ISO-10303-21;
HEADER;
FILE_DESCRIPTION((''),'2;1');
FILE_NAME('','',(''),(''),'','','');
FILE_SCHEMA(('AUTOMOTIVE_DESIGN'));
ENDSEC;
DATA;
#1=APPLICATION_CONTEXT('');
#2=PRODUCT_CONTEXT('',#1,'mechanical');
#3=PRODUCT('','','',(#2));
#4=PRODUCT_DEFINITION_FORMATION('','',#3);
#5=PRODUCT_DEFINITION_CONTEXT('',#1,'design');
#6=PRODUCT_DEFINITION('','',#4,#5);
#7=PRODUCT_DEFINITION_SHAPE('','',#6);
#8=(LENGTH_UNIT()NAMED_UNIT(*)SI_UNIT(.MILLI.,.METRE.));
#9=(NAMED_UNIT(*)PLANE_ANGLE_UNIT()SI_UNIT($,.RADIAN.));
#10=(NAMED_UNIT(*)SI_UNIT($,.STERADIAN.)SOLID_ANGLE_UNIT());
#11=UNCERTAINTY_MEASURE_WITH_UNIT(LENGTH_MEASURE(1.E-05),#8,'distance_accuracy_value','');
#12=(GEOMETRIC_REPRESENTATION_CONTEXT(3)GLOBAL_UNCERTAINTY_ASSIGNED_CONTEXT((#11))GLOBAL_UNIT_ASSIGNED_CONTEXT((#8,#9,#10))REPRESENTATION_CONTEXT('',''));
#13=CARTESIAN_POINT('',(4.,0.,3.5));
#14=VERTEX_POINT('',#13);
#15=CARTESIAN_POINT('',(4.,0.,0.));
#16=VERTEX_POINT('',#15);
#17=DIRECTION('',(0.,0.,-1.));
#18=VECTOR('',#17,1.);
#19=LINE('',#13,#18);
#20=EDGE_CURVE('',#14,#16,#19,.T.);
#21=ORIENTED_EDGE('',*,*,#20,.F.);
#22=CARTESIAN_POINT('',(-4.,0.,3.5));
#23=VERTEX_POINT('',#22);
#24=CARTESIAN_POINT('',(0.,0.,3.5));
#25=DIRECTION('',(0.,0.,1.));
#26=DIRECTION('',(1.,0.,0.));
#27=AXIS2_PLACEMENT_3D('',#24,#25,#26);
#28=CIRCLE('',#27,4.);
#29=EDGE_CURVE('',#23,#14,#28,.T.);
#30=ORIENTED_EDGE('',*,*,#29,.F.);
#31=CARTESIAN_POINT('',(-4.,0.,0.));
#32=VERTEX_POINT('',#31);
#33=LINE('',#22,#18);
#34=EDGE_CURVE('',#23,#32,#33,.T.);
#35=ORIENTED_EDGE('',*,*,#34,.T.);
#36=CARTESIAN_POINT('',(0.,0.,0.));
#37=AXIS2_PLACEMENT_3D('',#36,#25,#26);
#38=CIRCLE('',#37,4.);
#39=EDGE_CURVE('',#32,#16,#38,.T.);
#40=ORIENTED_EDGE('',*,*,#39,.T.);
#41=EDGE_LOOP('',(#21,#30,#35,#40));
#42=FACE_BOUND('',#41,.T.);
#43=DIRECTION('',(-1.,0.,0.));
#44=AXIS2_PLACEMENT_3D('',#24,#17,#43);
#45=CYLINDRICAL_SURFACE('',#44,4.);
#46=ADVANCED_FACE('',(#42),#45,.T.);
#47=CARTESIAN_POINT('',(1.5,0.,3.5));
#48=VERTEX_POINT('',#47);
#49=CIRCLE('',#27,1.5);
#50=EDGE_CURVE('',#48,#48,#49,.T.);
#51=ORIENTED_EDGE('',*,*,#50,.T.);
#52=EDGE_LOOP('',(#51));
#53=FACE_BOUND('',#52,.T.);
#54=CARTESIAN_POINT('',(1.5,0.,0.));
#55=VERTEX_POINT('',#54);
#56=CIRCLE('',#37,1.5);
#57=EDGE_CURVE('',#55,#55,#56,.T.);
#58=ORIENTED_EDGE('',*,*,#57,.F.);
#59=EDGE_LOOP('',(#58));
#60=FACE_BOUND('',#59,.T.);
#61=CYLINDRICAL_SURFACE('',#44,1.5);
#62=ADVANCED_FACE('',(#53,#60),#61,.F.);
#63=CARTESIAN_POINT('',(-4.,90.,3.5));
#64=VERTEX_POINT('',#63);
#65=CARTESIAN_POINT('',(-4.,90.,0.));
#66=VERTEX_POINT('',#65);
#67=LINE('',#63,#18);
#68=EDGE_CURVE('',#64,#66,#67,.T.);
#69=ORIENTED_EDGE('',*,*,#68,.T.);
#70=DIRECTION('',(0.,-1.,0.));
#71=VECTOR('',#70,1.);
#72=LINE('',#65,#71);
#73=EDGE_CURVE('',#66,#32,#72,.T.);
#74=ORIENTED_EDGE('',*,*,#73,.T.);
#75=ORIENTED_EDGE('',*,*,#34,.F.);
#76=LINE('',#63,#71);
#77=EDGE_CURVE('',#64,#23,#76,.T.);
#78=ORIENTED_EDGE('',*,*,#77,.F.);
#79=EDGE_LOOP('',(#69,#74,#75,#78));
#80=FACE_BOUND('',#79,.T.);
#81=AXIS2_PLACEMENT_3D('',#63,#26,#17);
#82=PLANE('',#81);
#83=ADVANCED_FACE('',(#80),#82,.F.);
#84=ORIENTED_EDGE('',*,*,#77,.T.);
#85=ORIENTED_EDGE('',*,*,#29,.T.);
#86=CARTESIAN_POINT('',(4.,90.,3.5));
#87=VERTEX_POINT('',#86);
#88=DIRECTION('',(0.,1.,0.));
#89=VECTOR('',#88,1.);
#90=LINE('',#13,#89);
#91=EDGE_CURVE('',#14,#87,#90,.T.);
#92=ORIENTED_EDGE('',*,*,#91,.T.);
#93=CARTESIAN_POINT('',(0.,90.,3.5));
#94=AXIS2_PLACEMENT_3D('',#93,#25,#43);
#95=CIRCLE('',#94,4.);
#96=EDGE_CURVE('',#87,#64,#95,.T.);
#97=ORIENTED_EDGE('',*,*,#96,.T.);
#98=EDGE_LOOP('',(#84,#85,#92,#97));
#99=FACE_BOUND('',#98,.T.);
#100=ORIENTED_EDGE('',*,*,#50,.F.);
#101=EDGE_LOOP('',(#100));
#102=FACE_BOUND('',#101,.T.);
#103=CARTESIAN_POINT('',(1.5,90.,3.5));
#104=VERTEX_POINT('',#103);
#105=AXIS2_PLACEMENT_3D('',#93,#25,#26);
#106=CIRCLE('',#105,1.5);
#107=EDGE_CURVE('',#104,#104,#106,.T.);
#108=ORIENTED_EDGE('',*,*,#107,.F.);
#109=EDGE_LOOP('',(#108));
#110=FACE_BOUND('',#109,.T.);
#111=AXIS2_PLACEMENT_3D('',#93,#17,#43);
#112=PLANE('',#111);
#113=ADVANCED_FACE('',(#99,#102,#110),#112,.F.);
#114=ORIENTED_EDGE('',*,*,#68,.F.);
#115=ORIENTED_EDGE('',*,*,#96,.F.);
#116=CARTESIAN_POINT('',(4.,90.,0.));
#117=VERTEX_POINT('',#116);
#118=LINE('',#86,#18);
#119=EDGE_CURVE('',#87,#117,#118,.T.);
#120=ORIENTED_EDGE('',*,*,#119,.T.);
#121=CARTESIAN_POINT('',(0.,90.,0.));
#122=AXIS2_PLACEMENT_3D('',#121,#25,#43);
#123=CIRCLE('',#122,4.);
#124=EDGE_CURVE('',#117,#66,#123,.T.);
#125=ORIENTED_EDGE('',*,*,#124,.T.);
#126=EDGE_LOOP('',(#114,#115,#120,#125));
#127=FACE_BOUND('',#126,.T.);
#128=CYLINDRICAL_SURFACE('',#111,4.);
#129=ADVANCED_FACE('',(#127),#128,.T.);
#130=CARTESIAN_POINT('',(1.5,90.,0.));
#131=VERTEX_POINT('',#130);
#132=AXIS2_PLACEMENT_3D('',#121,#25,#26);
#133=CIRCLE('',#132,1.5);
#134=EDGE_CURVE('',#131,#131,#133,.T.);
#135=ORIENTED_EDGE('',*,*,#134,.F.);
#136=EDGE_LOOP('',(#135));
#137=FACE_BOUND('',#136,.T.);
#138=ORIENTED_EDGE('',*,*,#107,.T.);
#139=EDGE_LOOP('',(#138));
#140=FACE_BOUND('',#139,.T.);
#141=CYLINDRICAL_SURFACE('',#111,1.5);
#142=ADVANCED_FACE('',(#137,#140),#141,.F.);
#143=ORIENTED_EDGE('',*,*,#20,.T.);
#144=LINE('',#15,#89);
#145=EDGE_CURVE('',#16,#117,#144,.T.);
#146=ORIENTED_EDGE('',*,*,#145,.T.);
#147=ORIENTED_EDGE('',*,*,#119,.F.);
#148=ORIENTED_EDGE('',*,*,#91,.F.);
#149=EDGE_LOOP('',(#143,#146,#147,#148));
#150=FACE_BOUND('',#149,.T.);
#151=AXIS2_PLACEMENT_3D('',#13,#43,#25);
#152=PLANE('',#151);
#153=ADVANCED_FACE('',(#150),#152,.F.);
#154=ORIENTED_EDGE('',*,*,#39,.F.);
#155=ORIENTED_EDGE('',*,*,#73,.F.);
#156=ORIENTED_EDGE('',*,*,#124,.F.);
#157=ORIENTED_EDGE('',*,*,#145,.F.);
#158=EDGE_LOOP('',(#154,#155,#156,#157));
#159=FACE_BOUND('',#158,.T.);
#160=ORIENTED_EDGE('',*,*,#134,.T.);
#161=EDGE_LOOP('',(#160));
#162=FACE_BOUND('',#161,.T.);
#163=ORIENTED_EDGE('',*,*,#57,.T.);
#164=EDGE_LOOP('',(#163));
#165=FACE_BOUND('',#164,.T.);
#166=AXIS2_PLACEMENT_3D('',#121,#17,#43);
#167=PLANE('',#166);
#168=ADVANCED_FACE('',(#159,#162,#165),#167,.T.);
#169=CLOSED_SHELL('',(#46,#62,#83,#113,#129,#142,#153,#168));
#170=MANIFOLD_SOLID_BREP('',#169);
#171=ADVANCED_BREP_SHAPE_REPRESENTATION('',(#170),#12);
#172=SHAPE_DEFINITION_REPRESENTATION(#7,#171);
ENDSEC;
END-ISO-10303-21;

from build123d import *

# Parameters (mm, degrees)
SKETCH1_R           = 1.5
BOSS_EXTRUDE1_DEPTH = 3.5


with BuildPart() as part:
    # Sketch1 → Boss-Extrude1 (new body)
    with BuildSketch(Plane.XY):
        with BuildLine():
            Line((-4, 90), (-4, 0))
            ThreePointArc((-4, 0), (0, -4), (4, 0))
            Line((4, 0), (4, 90))
            ThreePointArc((4, 90), (0, 94), (-4, 90))
        make_face()
        with Locations((0, 90)):
            Circle(SKETCH1_R, mode=Mode.SUBTRACT)
        Circle(SKETCH1_R, mode=Mode.SUBTRACT)
    extrude(amount=BOSS_EXTRUDE1_DEPTH)


solid = part.part
